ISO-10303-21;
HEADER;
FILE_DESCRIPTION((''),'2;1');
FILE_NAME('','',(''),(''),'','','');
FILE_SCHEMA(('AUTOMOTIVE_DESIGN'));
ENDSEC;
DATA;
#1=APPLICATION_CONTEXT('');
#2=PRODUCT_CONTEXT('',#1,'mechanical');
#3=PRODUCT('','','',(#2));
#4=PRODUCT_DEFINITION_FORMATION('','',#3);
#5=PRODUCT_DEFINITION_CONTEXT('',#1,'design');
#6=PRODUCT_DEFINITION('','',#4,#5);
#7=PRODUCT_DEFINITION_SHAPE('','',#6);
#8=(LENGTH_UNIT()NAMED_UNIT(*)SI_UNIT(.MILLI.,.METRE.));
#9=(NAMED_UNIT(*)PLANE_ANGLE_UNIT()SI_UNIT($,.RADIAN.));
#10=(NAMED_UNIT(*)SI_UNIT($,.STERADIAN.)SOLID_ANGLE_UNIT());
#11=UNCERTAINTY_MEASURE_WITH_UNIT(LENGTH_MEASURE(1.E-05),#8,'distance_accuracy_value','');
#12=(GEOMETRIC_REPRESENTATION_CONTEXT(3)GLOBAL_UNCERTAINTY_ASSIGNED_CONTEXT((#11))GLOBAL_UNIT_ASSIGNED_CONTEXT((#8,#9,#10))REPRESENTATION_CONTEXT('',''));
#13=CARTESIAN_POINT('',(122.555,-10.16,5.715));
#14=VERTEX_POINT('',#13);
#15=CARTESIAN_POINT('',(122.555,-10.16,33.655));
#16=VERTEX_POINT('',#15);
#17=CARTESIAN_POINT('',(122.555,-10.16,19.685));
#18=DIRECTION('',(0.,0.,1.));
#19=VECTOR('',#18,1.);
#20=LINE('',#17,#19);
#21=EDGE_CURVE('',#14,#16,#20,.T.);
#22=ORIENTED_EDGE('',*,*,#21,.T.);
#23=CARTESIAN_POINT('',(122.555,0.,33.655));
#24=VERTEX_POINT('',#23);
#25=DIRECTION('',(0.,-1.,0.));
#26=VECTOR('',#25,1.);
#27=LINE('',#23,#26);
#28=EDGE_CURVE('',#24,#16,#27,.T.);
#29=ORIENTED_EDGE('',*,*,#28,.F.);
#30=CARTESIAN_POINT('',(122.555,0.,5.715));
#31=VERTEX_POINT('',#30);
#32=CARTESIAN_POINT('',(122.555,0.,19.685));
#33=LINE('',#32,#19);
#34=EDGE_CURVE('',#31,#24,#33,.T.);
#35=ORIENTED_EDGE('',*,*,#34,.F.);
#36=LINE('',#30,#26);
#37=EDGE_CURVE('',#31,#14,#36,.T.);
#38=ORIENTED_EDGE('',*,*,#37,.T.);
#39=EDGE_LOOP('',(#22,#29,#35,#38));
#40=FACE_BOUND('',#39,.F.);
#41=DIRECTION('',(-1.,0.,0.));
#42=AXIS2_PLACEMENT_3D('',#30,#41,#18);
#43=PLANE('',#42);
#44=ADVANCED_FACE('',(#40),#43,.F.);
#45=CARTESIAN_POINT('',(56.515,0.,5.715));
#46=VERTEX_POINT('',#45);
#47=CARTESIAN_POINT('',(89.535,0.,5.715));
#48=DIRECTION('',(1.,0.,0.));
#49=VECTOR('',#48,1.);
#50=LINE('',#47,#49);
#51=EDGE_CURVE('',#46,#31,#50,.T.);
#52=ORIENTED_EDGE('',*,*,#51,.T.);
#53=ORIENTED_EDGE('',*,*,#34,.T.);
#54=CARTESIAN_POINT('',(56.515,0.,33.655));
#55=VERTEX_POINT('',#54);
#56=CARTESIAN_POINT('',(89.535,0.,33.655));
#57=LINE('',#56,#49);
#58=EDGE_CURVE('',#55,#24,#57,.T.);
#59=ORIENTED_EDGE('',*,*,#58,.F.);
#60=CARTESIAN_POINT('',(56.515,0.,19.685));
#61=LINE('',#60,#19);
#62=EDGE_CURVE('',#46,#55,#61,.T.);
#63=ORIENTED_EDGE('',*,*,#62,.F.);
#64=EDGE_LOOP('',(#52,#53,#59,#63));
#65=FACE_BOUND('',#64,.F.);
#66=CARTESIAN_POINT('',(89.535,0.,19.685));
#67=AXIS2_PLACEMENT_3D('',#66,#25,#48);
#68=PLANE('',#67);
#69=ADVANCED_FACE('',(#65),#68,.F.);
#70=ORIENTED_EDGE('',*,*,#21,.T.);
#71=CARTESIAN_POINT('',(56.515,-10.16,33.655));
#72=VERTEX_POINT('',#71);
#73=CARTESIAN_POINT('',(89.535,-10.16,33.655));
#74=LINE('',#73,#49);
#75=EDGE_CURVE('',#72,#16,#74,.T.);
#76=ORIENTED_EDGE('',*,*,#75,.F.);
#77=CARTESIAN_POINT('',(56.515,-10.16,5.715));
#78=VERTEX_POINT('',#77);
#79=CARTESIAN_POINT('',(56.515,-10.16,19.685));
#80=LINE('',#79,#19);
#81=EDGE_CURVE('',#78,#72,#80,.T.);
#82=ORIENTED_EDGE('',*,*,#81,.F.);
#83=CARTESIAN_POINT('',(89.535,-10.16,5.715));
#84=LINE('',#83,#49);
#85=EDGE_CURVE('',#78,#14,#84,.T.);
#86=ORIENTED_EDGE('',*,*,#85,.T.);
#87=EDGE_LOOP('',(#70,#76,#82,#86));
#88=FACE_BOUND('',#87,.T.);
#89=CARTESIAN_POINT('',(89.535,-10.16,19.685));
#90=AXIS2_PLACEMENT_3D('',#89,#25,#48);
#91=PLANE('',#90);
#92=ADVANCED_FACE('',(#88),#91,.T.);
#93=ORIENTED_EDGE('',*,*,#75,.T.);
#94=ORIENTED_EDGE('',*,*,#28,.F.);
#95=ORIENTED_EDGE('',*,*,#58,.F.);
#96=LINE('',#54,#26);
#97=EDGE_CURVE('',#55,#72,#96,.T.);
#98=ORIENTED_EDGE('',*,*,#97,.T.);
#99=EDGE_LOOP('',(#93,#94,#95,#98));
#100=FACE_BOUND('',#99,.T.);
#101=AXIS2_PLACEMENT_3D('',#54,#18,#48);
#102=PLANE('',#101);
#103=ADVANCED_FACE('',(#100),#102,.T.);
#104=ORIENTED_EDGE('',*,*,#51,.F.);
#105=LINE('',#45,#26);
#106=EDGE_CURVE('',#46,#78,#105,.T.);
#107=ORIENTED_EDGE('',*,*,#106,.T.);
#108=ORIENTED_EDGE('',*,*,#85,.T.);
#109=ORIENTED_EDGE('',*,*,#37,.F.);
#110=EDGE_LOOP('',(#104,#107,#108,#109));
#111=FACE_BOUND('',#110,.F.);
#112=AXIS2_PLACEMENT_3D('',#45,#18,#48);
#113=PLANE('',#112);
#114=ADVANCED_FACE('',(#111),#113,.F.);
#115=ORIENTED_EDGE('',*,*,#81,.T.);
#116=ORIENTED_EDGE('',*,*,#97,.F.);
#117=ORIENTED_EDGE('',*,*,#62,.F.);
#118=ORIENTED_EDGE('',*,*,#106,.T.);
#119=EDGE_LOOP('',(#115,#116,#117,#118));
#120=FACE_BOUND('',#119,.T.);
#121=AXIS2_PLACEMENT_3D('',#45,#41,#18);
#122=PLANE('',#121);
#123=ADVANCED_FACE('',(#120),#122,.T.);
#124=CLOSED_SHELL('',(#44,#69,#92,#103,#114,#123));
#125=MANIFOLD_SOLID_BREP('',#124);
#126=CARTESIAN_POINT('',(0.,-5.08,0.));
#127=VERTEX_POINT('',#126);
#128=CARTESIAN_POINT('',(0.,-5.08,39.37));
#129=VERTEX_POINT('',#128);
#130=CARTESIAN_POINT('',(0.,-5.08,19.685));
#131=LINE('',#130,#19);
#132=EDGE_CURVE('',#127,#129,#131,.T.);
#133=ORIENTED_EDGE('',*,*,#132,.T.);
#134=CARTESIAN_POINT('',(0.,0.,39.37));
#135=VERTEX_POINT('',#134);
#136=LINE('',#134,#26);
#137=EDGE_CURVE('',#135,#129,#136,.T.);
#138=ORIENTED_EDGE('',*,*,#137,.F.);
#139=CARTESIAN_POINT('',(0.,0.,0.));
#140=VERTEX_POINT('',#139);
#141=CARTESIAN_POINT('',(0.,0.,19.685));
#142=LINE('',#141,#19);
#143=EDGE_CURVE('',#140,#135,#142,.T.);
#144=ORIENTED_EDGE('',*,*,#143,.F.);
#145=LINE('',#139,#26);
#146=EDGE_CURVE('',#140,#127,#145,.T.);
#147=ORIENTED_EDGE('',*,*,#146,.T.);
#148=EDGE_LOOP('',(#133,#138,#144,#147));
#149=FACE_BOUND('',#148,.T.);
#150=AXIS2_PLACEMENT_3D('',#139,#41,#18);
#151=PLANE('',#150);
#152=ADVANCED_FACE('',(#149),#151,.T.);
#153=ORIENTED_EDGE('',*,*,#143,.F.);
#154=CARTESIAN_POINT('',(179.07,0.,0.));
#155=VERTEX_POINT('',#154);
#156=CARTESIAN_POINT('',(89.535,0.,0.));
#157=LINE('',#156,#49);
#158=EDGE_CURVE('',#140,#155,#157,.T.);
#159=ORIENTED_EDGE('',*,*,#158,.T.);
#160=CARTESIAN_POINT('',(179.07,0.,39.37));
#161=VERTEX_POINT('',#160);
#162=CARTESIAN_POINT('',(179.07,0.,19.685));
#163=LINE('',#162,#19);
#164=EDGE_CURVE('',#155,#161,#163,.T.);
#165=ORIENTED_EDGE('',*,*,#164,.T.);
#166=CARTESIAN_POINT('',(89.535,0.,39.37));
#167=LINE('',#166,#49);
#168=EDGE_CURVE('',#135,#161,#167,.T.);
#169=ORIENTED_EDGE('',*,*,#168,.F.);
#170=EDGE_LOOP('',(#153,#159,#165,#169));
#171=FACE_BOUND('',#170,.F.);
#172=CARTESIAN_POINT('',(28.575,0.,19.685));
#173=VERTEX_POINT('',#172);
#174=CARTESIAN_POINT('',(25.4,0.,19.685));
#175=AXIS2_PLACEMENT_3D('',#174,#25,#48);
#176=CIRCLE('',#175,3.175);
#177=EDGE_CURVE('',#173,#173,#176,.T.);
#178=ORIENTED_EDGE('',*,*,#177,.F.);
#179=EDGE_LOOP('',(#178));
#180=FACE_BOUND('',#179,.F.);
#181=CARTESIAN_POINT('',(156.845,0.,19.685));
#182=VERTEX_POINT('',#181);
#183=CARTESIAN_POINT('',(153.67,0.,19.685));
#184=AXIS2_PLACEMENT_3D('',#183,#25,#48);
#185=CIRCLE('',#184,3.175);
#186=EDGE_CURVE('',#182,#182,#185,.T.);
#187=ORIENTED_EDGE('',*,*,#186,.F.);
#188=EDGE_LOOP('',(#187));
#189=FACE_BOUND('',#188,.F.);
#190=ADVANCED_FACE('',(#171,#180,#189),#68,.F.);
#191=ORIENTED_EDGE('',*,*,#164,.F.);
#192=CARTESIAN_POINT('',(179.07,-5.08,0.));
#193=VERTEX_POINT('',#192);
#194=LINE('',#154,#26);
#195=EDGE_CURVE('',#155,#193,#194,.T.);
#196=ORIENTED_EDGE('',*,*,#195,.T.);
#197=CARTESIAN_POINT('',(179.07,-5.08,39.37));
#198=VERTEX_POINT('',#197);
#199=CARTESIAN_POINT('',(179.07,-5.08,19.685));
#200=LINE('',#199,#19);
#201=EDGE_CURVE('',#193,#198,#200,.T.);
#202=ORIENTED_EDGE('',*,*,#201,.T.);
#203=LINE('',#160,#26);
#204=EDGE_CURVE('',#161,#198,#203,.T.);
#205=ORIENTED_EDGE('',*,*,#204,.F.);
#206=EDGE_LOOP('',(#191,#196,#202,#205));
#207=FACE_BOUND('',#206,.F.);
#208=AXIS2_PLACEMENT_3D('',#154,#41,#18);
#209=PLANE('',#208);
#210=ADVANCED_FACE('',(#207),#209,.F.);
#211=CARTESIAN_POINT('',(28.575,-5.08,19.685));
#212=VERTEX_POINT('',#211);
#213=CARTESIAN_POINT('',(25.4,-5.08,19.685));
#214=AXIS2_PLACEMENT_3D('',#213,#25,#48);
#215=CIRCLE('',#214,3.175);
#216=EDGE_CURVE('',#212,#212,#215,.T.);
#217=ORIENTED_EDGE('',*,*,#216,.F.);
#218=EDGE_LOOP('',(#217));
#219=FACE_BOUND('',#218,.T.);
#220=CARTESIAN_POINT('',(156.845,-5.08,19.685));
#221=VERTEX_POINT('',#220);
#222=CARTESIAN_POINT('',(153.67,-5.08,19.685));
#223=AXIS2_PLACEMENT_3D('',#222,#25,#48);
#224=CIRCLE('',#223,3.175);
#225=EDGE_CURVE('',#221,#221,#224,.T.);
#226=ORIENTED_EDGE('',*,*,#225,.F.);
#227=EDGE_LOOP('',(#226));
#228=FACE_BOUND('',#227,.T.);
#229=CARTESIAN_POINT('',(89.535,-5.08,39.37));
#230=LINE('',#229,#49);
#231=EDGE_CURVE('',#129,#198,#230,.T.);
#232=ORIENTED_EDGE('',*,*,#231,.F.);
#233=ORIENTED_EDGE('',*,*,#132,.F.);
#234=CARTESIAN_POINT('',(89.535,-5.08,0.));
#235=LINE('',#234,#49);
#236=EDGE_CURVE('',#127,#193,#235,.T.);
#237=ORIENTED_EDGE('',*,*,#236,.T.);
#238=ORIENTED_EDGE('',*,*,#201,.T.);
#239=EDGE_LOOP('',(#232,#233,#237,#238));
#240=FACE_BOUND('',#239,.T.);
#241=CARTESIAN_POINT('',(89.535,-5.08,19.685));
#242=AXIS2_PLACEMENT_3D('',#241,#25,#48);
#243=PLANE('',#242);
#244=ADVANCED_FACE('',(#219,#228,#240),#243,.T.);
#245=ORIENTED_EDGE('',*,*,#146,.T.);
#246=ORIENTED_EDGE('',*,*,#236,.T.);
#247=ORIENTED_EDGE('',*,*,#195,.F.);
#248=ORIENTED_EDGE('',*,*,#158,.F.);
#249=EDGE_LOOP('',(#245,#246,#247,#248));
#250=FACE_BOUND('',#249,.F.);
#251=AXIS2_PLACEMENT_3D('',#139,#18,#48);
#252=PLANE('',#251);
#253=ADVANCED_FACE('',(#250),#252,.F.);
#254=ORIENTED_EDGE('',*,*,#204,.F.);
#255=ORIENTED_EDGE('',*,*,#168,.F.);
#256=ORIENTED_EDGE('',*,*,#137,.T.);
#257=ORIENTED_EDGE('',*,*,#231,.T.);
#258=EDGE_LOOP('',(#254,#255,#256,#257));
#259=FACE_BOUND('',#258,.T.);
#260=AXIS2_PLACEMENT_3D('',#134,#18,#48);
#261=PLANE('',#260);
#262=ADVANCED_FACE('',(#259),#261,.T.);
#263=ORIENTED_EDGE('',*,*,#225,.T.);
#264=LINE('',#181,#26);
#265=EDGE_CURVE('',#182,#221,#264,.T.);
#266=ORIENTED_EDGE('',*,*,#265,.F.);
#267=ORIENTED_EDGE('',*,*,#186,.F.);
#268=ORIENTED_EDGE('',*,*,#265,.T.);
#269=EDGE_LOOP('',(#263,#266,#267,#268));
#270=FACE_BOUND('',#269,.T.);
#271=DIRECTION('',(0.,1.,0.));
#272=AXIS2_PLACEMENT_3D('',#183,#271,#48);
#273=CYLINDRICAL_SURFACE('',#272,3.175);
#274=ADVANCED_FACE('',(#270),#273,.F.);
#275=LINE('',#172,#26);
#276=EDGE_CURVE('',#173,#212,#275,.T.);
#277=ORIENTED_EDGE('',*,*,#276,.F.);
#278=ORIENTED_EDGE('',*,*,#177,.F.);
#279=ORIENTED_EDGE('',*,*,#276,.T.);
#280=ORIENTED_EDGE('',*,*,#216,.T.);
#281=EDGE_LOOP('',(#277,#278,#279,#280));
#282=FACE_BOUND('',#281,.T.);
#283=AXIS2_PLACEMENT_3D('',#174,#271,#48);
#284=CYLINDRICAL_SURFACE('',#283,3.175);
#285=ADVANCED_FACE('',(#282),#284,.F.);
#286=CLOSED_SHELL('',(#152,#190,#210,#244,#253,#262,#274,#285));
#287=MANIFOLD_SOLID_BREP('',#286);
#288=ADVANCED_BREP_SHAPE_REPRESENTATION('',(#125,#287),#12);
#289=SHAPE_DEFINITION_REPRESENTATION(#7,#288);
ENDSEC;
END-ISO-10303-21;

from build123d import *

# Parameters (mm, degrees)
F0_W     = 179.07
F0_H     = 39.37
F0_R     = 3.175
F0_W_2   = 66.04
F0_H_2   = 27.94
F1_DEPTH = 5.08
F2_DEPTH = 10.16


with BuildPart() as f1:
    # F0 (on Front) → F1 (new body)
    with BuildSketch(Plane.XZ):
        with Locations((89.535, 19.685)):
            Rectangle(F0_W, F0_H)
        with Locations((25.4, 19.685)):
            Circle(F0_R, mode=Mode.SUBTRACT)
        with Locations((89.535, 19.685)):
            Rectangle(F0_W_2, F0_H_2, mode=Mode.SUBTRACT)
        with Locations((153.67, 19.685)):
            Circle(F0_R, mode=Mode.SUBTRACT)
        with Locations((89.535, 19.685)):
            Rectangle(F0_W_2, F0_H_2)
    extrude(amount=F1_DEPTH)


with BuildPart() as f2:
    # F0 (on Front) → F2 (new body)
    with BuildSketch(Plane.XZ):
        with Locations((89.535, 19.685)):
            Rectangle(F0_W_2, F0_H_2)
    extrude(amount=F2_DEPTH)


solid = Compound([f1.part, f2.part])
